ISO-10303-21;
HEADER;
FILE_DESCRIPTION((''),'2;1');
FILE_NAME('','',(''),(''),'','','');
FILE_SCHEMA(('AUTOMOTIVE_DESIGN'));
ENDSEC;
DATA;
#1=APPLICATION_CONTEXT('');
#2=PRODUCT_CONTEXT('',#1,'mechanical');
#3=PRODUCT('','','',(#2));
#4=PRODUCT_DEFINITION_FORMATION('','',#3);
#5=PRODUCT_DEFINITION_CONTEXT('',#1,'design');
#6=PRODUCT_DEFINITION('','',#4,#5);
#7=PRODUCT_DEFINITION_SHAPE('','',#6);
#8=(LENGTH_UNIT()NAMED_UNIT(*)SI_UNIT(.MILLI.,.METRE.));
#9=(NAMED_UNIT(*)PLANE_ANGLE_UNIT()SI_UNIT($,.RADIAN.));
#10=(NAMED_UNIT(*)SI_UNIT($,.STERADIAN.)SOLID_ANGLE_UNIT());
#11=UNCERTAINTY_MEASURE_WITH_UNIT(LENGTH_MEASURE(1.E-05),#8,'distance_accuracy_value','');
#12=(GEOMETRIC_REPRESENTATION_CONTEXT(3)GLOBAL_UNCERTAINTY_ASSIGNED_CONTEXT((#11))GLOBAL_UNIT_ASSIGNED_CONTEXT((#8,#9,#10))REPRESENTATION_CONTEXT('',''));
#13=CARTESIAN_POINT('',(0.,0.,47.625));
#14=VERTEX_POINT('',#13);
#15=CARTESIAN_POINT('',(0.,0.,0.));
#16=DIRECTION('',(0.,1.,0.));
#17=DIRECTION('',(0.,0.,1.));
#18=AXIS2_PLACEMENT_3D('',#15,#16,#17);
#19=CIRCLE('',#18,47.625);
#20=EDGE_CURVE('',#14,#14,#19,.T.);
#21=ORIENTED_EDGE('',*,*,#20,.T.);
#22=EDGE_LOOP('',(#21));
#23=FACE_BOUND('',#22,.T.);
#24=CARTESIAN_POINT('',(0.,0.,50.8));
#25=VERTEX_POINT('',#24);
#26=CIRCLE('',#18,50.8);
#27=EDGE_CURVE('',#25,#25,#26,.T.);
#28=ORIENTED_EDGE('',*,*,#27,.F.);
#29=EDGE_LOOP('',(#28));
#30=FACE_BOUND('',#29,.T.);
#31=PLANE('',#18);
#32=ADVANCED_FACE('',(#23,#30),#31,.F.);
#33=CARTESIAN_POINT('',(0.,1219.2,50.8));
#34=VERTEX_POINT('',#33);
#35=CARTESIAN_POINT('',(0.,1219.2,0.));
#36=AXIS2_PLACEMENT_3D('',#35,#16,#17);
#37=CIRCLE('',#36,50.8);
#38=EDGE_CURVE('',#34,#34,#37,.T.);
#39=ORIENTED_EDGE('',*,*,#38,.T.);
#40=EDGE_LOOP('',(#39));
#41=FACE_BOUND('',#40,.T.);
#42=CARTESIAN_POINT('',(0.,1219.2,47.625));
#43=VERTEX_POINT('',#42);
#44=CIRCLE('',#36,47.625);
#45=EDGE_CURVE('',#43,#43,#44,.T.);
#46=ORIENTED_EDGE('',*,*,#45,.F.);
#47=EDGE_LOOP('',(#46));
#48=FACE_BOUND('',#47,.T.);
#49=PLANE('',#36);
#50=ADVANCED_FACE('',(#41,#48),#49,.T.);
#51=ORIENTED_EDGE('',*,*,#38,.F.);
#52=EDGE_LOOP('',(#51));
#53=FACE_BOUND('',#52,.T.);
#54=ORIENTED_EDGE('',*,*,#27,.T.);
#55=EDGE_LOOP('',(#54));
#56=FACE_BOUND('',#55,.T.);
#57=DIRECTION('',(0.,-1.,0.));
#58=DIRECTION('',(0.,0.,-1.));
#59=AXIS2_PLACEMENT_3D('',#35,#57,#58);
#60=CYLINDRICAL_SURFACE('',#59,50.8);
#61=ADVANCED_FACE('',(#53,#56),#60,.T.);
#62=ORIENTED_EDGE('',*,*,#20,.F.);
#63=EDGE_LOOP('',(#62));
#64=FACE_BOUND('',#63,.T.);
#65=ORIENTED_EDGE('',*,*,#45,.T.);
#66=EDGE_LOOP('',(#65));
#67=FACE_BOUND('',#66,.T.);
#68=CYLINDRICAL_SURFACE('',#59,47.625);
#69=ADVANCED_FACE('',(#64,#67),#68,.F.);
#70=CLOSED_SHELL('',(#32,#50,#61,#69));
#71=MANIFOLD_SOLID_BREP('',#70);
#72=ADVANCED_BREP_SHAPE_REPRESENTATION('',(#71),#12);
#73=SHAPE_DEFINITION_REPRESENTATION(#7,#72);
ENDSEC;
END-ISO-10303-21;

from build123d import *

# Parameters (mm, degrees)
SKETCH1_R           = 50.8
SKETCH1_R_2         = 47.625
BOSS_EXTRUDE1_DEPTH = 1219.2


with BuildPart() as part:
    # Sketch1 → Boss-Extrude1 (new body)
    with BuildSketch(Plane(origin=(0, 0, 0), x_dir=(1, 0, 0), z_dir=(0, 1, 0))):
        Circle(SKETCH1_R)
        Circle(SKETCH1_R_2, mode=Mode.SUBTRACT)
    extrude(amount=BOSS_EXTRUDE1_DEPTH)


solid = part.part
